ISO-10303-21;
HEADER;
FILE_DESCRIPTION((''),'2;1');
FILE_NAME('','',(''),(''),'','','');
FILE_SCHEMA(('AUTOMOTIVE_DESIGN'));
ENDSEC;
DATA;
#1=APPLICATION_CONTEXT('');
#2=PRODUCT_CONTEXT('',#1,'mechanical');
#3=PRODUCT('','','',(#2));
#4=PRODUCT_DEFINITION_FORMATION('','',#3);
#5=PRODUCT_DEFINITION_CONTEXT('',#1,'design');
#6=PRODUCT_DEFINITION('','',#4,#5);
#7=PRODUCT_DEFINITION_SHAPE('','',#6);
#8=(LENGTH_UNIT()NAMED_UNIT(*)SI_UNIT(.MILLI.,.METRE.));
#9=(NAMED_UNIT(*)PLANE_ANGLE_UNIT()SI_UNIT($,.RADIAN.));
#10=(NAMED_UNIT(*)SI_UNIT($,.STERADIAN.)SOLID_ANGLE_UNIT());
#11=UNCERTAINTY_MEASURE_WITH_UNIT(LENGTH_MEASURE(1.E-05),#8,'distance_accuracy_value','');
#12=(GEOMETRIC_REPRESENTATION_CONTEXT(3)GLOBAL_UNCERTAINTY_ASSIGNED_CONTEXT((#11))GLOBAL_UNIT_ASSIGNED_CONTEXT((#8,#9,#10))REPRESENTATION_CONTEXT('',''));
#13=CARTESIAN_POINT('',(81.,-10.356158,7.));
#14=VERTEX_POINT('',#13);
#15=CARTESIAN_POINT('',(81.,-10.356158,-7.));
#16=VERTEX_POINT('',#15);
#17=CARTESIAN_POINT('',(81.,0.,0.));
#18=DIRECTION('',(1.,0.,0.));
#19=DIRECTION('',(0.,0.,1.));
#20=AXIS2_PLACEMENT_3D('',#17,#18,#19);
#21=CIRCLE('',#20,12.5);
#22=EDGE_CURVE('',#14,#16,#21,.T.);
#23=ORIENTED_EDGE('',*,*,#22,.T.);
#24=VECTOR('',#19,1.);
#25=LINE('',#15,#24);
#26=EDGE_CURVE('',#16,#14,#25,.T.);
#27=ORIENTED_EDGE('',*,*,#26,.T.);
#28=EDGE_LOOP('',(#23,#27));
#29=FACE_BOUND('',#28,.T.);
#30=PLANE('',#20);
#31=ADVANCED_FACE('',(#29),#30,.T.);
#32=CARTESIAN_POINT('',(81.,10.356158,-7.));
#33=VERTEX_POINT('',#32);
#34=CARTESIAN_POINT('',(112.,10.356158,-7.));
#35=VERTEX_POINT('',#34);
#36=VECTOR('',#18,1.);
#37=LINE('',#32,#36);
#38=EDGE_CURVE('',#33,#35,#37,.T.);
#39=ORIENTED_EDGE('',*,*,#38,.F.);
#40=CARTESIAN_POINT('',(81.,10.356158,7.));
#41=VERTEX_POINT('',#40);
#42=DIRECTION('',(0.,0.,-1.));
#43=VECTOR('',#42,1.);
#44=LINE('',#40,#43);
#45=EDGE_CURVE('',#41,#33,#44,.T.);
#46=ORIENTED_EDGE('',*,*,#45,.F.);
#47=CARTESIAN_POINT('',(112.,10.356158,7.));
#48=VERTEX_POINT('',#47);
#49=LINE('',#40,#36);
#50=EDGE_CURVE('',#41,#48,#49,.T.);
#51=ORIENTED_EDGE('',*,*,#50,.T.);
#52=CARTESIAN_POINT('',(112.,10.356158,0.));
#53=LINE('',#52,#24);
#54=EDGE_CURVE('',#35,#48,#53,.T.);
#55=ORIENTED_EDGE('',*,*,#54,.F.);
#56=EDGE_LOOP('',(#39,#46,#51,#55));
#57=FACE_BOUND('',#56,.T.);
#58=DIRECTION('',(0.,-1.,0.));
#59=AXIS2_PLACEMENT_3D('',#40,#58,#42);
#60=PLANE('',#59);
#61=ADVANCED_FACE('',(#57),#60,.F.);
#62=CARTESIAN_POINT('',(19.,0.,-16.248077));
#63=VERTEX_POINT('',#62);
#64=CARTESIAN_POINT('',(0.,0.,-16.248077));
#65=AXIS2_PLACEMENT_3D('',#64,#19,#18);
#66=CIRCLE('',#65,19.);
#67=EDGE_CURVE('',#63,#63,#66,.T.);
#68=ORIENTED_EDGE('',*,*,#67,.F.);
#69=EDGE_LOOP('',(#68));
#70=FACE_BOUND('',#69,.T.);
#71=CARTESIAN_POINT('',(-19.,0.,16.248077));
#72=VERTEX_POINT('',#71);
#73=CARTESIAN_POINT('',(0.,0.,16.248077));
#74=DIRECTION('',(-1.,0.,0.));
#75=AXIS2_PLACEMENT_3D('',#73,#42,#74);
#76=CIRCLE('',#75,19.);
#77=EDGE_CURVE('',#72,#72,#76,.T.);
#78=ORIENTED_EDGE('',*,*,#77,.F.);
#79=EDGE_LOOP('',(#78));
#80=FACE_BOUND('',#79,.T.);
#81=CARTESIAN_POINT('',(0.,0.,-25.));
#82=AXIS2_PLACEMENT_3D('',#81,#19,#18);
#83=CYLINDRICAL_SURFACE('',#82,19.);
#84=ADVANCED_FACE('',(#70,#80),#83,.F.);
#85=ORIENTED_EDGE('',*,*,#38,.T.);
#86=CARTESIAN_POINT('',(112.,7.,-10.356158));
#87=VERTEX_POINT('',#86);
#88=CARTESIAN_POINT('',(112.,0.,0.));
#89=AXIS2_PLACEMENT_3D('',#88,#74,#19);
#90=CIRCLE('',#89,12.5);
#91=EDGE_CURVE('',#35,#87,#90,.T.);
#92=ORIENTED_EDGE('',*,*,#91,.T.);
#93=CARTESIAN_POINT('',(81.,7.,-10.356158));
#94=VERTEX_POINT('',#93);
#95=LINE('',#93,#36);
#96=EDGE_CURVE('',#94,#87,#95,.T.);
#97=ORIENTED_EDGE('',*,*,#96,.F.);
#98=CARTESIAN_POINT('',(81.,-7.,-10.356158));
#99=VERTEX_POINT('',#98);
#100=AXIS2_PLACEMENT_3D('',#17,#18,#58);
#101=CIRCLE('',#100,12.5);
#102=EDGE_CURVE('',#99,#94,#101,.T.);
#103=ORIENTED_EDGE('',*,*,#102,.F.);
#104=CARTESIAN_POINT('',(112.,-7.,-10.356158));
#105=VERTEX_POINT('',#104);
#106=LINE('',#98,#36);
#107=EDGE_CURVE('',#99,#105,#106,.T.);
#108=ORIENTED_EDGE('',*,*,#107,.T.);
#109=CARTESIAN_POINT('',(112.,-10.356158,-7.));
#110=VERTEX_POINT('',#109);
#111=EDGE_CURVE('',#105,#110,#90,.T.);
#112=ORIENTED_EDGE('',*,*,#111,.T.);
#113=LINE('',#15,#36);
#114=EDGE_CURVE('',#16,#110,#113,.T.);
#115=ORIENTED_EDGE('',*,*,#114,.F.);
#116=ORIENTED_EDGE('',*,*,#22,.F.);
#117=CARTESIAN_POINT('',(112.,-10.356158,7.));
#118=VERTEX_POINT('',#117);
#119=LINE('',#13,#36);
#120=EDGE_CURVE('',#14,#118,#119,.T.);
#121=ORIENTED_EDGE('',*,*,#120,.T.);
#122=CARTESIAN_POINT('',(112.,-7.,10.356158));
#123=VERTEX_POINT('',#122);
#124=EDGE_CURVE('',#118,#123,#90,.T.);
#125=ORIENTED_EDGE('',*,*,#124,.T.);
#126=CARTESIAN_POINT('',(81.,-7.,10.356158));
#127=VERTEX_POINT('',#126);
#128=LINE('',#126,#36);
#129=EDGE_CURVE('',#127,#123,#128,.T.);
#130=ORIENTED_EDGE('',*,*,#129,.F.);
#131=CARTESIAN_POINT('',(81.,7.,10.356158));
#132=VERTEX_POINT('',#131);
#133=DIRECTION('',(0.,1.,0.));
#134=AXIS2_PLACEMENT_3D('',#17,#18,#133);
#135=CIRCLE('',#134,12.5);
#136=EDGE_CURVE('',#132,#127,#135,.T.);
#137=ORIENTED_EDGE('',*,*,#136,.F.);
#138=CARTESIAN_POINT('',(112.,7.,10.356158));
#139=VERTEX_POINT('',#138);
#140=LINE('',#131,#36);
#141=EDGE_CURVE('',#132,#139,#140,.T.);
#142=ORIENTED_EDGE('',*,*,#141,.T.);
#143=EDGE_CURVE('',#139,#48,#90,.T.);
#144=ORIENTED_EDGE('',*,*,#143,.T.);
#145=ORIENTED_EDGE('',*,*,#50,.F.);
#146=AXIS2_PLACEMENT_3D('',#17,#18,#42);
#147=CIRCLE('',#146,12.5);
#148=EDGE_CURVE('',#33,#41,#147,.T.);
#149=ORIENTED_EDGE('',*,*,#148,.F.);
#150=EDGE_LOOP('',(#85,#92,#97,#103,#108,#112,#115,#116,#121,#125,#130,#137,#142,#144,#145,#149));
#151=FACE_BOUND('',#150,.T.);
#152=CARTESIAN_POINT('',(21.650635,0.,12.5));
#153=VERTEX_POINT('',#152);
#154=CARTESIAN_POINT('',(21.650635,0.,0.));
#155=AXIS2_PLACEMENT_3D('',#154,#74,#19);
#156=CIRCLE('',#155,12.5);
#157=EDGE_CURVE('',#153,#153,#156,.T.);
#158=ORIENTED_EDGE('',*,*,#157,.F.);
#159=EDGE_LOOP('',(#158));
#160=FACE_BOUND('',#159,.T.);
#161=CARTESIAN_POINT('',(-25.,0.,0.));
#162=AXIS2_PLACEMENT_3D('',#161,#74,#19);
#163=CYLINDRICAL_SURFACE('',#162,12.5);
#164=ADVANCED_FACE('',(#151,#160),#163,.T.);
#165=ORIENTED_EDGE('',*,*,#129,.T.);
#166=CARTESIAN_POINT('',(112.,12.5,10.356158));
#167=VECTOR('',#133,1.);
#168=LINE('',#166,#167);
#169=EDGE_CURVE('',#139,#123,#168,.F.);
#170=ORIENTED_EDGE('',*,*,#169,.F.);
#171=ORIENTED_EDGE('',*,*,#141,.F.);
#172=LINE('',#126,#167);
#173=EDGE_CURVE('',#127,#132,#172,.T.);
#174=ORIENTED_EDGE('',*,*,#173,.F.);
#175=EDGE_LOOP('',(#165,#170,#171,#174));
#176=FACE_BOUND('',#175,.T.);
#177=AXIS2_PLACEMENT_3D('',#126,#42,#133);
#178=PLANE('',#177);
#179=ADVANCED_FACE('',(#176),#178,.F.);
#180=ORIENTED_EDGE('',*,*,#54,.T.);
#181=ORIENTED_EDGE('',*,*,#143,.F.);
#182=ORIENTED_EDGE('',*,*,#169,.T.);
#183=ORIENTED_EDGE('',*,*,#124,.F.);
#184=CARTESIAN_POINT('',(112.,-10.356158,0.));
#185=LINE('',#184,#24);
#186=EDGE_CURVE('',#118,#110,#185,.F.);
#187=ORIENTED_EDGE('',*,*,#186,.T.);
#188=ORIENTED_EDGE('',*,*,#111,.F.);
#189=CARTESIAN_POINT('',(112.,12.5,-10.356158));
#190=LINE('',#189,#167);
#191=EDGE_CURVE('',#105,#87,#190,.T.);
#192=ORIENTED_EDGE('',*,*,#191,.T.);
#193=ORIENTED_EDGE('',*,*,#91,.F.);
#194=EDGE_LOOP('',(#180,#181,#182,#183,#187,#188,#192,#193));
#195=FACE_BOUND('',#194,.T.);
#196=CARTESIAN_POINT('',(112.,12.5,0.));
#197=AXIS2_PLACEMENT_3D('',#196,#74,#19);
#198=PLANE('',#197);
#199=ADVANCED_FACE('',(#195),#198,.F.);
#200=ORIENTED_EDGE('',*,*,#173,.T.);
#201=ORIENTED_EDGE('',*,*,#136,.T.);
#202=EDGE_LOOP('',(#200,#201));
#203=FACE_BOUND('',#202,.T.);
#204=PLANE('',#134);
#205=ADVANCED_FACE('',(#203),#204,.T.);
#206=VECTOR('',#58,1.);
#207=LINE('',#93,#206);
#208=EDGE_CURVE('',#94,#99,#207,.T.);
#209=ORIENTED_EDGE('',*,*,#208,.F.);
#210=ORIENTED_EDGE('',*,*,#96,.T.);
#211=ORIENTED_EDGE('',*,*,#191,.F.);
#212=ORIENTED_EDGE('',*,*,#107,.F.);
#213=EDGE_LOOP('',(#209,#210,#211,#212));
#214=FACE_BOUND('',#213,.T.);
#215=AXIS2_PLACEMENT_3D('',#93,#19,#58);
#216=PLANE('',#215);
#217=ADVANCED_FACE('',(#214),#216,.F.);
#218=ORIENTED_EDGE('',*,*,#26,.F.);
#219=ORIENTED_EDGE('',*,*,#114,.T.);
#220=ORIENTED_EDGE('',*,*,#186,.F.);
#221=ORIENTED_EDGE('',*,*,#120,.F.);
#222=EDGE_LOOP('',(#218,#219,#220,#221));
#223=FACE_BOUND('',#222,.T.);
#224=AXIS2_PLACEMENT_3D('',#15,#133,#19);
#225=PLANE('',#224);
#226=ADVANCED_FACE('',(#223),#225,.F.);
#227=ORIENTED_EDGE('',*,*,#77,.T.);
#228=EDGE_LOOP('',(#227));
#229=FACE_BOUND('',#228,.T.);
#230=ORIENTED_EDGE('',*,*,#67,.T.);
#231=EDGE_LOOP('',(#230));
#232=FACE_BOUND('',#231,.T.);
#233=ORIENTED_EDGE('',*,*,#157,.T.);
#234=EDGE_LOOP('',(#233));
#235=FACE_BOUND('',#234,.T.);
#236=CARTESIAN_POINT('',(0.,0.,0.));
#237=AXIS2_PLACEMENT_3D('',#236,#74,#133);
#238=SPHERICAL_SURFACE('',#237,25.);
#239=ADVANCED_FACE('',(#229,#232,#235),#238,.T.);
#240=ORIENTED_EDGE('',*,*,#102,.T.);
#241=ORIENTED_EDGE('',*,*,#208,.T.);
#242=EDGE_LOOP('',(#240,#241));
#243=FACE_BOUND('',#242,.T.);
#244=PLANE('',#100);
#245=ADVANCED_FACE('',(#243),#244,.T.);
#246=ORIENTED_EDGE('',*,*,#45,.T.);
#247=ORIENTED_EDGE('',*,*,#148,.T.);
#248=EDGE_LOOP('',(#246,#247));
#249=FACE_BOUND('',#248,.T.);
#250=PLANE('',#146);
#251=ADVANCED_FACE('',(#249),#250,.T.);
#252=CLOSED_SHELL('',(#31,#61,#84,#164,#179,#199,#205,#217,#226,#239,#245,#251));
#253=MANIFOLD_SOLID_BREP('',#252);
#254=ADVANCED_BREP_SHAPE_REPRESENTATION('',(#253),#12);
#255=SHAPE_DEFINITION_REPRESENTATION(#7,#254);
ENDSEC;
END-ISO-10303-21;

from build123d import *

# Parameters (mm, degrees)
CUT_EXTRUDE1_DEPTH      = 118.447860772
CUT_EXTRUDE1_DEPTH_BACK = 118.447860772
SKETCH2_R               = 19
CUT_EXTRUDE3_START      = -31
CUT_EXTRUDE3_DEPTH      = 172.206989852
CIRPATTERN1_COUNT       = 4


with BuildPart() as part:
    # Sketch1 → Revolve1 (revolve)
    with BuildSketch(Plane.XY):
        with BuildLine():
            Line((-25, 0), (112, 0))
            Line((112, 0), (112, 12.5))
            Line((112, 12.5), (21.650635095, 12.5))
            ThreePointArc((21.650635095, 12.5), (-6.470476128, 24.148145657), (-25, 0))
        make_face()
    revolve(axis=Axis((-25, 0, 0), (1, 0, 0)))

    # Sketch2 → Cut-Extrude1 (cut, two sides: drawn at the far end of the back side and taken through both)
    with BuildSketch(Plane.XY.offset(-CUT_EXTRUDE1_DEPTH_BACK)):
        Circle(SKETCH2_R)
    extrude(amount=CUT_EXTRUDE1_DEPTH + CUT_EXTRUDE1_DEPTH_BACK, mode=Mode.SUBTRACT)

    # Sketch4 → Cut-Extrude3 (cut)
    with BuildSketch(Plane(origin=(112, 0, 0), x_dir=(0, 0, -1), z_dir=(1, 0, 0)).offset(CUT_EXTRUDE3_START)):
        with BuildLine():
            Line((-7, 10.356157589), (7, 10.356157589))
            ThreePointArc((7, 10.356157589), (0, 12.5), (-7, 10.356157589))
        make_face()
    cut_extrude3 = extrude(amount=CUT_EXTRUDE3_DEPTH, mode=Mode.SUBTRACT)

    # CirPattern1: Cut-Extrude3 ×4 about axis
    cirpattern1_axis = Axis((0, 0, 0), (1, 0, 0))
    for i in range(1, CIRPATTERN1_COUNT):
        add(cut_extrude3.rotate(cirpattern1_axis, i * 360 / CIRPATTERN1_COUNT), mode=Mode.SUBTRACT)


solid = part.part
